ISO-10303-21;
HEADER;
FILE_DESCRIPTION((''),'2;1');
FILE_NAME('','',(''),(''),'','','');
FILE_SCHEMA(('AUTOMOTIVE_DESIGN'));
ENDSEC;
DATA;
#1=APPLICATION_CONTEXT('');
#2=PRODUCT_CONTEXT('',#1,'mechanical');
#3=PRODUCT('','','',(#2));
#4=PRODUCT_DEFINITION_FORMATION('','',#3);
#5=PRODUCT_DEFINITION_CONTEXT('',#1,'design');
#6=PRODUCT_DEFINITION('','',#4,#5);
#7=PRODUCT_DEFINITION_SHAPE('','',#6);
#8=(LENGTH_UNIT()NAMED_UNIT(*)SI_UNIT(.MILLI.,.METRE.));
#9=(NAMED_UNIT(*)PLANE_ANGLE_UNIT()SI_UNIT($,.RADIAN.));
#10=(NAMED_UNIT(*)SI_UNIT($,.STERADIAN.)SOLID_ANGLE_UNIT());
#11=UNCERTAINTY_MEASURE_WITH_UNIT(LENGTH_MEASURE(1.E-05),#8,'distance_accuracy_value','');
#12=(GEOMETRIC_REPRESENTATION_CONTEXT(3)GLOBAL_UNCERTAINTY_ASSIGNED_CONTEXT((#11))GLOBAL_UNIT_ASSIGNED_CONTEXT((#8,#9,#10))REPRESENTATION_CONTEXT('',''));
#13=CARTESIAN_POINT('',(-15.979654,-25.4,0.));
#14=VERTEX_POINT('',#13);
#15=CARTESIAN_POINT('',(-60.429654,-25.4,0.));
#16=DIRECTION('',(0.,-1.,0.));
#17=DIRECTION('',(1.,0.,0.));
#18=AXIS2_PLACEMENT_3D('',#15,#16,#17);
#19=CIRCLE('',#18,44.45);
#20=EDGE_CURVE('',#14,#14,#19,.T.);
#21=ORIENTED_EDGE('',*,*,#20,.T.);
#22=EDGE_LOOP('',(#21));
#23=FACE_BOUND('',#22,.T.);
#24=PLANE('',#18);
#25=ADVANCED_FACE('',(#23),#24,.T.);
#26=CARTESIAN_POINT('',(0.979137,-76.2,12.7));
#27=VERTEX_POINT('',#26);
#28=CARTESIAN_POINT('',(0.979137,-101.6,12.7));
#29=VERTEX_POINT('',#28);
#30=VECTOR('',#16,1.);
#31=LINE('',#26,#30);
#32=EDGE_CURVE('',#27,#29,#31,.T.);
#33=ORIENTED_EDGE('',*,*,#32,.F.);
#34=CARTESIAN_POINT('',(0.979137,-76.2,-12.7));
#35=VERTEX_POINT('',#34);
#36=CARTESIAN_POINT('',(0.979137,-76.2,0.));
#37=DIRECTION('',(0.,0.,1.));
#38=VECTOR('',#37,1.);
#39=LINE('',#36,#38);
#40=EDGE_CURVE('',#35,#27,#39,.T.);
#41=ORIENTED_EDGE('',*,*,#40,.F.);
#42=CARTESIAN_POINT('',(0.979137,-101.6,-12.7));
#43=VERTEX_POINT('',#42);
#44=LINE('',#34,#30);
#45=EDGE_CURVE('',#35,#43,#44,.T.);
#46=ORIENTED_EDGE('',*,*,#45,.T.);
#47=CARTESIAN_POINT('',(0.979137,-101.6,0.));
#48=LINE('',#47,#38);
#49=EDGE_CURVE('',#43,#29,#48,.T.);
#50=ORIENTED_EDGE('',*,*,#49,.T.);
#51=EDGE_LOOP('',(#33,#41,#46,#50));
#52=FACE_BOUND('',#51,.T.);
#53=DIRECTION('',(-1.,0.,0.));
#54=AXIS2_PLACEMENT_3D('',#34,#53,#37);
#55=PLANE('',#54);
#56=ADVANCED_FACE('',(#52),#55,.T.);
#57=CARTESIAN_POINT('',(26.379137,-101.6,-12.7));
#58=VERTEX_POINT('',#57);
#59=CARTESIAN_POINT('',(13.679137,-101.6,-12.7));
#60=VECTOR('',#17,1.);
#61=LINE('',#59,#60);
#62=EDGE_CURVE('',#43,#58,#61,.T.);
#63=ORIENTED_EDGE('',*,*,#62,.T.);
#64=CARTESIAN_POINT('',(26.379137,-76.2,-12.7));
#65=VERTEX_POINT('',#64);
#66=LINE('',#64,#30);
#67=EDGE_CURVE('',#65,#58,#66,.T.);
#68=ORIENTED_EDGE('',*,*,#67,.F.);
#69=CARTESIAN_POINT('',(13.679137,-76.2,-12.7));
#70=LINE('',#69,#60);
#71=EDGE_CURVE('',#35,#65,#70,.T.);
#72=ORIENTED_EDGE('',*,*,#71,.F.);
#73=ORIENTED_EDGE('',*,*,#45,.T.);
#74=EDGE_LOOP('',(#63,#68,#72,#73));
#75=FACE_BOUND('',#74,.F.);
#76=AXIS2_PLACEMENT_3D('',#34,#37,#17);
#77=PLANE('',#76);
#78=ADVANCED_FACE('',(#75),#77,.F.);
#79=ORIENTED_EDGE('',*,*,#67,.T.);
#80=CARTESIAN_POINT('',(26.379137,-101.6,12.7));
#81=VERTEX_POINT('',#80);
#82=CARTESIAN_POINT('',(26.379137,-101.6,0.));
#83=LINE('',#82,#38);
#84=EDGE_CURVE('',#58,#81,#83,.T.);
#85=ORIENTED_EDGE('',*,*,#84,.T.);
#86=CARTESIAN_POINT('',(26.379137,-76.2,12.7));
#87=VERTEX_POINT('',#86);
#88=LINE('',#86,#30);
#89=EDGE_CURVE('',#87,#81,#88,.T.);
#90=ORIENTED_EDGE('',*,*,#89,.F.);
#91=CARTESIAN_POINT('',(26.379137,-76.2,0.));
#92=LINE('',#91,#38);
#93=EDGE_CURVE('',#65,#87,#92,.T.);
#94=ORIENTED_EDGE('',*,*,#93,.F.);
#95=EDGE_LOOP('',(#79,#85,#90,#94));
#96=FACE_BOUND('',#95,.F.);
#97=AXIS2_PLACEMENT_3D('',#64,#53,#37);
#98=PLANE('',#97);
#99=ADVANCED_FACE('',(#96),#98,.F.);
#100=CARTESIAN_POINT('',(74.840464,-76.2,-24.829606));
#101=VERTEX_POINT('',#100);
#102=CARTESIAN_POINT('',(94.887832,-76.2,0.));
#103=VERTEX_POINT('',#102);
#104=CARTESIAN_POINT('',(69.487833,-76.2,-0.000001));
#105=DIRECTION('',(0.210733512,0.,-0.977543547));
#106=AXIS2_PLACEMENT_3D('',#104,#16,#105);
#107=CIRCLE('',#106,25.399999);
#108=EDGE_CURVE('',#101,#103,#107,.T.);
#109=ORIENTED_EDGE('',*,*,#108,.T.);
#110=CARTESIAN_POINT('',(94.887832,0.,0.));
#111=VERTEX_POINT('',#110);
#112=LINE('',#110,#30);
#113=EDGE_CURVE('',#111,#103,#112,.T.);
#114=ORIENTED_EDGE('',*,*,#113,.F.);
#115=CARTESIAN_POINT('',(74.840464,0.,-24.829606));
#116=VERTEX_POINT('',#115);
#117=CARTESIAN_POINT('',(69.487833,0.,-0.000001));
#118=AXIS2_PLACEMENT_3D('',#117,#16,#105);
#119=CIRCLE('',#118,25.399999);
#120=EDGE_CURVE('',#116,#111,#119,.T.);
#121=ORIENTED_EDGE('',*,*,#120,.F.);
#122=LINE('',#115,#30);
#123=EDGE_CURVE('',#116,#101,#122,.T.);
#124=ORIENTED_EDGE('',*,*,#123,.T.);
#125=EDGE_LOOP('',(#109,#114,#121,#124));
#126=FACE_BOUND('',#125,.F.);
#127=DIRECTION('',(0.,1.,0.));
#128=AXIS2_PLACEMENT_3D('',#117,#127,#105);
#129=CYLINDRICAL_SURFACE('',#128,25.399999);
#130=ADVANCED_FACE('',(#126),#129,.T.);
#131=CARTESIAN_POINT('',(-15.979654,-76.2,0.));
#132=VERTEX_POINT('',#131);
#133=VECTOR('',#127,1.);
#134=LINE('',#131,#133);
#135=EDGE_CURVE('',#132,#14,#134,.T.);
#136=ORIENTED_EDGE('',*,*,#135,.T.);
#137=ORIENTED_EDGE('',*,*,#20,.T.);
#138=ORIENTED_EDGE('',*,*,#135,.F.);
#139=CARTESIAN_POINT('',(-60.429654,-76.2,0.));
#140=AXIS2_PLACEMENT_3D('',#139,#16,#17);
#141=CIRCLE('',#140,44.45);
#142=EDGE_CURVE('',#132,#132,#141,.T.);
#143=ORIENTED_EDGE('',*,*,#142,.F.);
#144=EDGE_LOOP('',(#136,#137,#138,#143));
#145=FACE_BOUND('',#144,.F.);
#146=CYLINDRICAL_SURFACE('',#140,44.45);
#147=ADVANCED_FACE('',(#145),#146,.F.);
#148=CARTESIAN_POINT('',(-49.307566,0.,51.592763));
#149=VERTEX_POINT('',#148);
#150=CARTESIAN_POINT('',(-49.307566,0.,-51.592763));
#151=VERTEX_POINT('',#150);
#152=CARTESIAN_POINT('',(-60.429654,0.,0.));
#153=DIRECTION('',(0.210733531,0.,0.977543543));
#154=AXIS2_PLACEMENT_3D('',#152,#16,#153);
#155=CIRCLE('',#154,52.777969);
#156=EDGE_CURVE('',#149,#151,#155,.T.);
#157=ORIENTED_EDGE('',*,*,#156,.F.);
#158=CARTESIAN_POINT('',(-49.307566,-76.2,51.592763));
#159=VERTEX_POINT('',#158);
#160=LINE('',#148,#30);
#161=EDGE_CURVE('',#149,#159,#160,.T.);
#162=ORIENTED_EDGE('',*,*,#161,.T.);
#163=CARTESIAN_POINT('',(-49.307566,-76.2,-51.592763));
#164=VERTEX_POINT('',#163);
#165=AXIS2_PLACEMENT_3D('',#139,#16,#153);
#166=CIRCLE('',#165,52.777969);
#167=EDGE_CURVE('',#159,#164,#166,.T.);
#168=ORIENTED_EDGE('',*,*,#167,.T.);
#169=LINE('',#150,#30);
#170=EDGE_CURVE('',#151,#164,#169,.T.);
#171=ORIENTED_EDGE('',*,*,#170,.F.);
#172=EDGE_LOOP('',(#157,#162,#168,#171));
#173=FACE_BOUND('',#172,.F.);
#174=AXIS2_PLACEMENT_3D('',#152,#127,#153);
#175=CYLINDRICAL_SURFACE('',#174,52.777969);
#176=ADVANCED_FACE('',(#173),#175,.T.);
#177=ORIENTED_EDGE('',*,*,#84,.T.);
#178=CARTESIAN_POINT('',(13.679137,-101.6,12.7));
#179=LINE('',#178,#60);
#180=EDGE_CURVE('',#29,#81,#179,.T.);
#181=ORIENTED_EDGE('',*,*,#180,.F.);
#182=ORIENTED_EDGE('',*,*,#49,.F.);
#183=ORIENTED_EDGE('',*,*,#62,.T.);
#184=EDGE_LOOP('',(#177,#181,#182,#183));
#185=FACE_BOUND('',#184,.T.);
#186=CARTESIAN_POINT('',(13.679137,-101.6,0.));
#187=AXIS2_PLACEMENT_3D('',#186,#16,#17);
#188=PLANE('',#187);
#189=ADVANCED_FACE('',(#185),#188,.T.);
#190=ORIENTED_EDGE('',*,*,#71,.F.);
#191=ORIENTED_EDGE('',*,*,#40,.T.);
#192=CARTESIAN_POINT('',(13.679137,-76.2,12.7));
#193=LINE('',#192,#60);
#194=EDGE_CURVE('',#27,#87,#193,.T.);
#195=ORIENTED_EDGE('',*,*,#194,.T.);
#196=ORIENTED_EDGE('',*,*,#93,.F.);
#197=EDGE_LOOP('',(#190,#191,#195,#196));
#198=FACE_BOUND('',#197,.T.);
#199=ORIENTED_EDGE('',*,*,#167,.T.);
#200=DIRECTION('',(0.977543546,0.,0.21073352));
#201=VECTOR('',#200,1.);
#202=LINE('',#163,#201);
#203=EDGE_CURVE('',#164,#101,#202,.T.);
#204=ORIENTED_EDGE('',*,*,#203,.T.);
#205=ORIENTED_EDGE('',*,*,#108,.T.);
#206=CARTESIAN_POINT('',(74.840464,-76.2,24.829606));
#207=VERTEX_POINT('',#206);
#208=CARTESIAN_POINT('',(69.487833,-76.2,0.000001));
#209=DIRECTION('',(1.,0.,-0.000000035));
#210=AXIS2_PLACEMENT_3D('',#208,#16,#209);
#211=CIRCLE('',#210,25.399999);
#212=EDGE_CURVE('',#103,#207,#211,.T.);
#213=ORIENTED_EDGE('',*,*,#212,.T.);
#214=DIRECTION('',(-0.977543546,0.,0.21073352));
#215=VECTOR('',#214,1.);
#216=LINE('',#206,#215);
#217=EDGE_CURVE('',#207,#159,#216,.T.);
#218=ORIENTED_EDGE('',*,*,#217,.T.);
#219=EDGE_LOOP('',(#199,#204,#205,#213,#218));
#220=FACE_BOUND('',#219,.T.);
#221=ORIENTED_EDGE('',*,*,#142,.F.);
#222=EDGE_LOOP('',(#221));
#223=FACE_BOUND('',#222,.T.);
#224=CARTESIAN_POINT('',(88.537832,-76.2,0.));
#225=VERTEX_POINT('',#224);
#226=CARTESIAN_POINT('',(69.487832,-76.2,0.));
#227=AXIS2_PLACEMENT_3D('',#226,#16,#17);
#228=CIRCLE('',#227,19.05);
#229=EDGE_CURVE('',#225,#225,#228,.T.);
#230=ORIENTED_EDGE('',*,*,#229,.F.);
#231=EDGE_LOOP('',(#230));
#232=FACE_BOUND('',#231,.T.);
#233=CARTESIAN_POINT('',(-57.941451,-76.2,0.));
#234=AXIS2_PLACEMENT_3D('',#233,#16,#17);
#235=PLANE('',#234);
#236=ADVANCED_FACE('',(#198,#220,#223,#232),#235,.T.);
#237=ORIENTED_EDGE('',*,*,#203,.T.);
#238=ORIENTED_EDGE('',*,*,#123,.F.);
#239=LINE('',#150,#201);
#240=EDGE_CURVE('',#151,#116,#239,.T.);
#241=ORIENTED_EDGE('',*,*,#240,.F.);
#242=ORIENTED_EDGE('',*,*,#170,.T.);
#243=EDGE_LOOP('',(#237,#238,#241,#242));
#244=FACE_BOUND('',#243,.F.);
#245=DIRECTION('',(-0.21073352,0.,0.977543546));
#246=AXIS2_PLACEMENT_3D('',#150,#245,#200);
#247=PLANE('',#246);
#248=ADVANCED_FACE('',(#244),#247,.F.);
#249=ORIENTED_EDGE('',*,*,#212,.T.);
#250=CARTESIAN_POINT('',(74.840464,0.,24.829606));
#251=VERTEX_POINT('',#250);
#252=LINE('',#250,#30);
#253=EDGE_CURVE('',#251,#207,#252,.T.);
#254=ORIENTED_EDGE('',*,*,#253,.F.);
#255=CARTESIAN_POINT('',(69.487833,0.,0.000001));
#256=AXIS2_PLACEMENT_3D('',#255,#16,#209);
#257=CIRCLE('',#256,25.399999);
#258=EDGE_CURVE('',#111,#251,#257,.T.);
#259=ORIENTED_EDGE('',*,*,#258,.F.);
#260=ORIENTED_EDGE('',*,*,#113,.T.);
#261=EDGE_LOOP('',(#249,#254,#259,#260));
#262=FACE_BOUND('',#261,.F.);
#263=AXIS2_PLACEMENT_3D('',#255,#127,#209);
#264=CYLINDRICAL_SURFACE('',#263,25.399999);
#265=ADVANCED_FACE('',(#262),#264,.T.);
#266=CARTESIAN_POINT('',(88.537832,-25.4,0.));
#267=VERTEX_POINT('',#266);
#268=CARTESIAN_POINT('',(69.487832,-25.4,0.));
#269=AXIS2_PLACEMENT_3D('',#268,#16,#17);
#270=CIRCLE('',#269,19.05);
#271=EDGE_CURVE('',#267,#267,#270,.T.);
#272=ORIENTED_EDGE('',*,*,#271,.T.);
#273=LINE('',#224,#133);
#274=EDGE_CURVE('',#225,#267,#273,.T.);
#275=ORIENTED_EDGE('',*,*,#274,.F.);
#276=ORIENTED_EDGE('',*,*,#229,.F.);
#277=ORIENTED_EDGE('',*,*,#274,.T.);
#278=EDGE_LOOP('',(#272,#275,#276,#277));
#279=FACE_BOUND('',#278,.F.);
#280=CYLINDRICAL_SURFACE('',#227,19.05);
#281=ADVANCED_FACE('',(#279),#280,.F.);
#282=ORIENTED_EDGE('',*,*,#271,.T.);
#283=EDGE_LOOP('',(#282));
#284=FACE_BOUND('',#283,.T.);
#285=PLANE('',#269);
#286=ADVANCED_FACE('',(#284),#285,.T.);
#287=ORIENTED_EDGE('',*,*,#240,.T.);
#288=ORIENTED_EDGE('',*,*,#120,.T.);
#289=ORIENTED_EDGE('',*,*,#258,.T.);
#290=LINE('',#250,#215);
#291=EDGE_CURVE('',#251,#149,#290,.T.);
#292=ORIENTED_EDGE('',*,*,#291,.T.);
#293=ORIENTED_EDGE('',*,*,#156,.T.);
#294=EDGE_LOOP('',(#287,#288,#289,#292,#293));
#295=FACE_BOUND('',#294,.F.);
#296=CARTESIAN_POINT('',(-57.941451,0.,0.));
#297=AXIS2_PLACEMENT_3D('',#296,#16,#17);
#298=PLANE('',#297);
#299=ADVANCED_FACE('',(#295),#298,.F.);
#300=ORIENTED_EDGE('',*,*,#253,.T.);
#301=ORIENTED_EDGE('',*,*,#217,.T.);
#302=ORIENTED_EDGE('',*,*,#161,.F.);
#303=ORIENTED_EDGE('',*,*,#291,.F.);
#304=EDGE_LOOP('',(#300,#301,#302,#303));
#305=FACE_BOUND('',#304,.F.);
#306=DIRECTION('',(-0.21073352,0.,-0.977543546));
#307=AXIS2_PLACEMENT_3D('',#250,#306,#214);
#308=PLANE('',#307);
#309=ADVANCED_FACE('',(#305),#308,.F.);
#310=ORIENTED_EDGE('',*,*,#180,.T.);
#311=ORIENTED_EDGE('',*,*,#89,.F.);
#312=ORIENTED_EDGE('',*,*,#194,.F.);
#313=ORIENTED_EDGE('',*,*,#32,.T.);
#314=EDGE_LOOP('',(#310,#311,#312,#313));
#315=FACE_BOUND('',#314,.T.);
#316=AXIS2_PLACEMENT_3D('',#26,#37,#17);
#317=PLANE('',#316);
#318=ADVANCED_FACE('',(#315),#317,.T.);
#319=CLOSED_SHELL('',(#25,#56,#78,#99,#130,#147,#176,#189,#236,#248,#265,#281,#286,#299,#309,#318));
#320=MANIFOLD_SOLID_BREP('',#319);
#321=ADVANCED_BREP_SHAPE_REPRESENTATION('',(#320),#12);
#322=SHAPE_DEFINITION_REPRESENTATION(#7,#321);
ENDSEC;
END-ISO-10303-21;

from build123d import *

# Parameters (mm, degrees)
F1_DEPTH = 76.2
F2_R     = 44.45
F3_DEPTH = 50.8
F4_R     = 19.05
F5_DEPTH = 50.8
F6_W     = 25.4
F6_H     = 25.4
F7_DEPTH = 25.4


with BuildPart() as f1:
    # F0 (on Front) → F1 (new body)
    with BuildSketch(Plane.XZ):
        with BuildLine():
            ThreePointArc((-49.307566, -51.592763), (-19.365586, -33.155036), (-7.651684, 0))
            ThreePointArc((-7.651684, 0), (-19.365586, 33.155036), (-49.307566, 51.592763))
            ThreePointArc((-49.307566, 51.592763), (-113.207623, 0), (-49.307566, -51.592763))
        make_face()
        with BuildLine():
            ThreePointArc((-49.307566, 51.592763), (-19.365586, 33.155036), (-7.651684, 0))
            ThreePointArc((-7.651684, 0), (-19.365586, -33.155036), (-49.307566, -51.592763))
            Line((-49.307566, -51.592763), (74.840464, -24.829606))
            ThreePointArc((74.840464, -24.829606), (44.087832, 0), (74.840464, 24.829606))
            Line((74.840464, 24.829606), (-49.307566, 51.592763))
        make_face()
        with BuildLine():
            ThreePointArc((94.887832, 0), (89.250383, 15.95624), (74.840464, 24.829606))
            ThreePointArc((74.840464, 24.829606), (44.087832, 0), (74.840464, -24.829606))
            ThreePointArc((74.840464, -24.829606), (89.250383, -15.95624), (94.887832, 0))
        make_face()
    extrude(amount=F1_DEPTH)

    # F2 (on face) → F3 (cut)
    with BuildSketch(Plane.XZ.offset(76.2)):
        with Locations((-60.429654, 0)):
            Circle(F2_R)
    extrude(amount=-F3_DEPTH, mode=Mode.SUBTRACT)

    # F4 (on face) → F5 (cut)
    with BuildSketch(Plane.XZ.offset(76.2)):
        with Locations((69.487832, 0)):
            Circle(F4_R)
    extrude(amount=-F5_DEPTH, mode=Mode.SUBTRACT)

    # F6 (on face) → F7 (join)
    with BuildSketch(Plane.XZ.offset(76.2)):
        with Locations((13.679137, 0)):
            Rectangle(F6_W, F6_H)
    extrude(amount=F7_DEPTH)


solid = f1.part
